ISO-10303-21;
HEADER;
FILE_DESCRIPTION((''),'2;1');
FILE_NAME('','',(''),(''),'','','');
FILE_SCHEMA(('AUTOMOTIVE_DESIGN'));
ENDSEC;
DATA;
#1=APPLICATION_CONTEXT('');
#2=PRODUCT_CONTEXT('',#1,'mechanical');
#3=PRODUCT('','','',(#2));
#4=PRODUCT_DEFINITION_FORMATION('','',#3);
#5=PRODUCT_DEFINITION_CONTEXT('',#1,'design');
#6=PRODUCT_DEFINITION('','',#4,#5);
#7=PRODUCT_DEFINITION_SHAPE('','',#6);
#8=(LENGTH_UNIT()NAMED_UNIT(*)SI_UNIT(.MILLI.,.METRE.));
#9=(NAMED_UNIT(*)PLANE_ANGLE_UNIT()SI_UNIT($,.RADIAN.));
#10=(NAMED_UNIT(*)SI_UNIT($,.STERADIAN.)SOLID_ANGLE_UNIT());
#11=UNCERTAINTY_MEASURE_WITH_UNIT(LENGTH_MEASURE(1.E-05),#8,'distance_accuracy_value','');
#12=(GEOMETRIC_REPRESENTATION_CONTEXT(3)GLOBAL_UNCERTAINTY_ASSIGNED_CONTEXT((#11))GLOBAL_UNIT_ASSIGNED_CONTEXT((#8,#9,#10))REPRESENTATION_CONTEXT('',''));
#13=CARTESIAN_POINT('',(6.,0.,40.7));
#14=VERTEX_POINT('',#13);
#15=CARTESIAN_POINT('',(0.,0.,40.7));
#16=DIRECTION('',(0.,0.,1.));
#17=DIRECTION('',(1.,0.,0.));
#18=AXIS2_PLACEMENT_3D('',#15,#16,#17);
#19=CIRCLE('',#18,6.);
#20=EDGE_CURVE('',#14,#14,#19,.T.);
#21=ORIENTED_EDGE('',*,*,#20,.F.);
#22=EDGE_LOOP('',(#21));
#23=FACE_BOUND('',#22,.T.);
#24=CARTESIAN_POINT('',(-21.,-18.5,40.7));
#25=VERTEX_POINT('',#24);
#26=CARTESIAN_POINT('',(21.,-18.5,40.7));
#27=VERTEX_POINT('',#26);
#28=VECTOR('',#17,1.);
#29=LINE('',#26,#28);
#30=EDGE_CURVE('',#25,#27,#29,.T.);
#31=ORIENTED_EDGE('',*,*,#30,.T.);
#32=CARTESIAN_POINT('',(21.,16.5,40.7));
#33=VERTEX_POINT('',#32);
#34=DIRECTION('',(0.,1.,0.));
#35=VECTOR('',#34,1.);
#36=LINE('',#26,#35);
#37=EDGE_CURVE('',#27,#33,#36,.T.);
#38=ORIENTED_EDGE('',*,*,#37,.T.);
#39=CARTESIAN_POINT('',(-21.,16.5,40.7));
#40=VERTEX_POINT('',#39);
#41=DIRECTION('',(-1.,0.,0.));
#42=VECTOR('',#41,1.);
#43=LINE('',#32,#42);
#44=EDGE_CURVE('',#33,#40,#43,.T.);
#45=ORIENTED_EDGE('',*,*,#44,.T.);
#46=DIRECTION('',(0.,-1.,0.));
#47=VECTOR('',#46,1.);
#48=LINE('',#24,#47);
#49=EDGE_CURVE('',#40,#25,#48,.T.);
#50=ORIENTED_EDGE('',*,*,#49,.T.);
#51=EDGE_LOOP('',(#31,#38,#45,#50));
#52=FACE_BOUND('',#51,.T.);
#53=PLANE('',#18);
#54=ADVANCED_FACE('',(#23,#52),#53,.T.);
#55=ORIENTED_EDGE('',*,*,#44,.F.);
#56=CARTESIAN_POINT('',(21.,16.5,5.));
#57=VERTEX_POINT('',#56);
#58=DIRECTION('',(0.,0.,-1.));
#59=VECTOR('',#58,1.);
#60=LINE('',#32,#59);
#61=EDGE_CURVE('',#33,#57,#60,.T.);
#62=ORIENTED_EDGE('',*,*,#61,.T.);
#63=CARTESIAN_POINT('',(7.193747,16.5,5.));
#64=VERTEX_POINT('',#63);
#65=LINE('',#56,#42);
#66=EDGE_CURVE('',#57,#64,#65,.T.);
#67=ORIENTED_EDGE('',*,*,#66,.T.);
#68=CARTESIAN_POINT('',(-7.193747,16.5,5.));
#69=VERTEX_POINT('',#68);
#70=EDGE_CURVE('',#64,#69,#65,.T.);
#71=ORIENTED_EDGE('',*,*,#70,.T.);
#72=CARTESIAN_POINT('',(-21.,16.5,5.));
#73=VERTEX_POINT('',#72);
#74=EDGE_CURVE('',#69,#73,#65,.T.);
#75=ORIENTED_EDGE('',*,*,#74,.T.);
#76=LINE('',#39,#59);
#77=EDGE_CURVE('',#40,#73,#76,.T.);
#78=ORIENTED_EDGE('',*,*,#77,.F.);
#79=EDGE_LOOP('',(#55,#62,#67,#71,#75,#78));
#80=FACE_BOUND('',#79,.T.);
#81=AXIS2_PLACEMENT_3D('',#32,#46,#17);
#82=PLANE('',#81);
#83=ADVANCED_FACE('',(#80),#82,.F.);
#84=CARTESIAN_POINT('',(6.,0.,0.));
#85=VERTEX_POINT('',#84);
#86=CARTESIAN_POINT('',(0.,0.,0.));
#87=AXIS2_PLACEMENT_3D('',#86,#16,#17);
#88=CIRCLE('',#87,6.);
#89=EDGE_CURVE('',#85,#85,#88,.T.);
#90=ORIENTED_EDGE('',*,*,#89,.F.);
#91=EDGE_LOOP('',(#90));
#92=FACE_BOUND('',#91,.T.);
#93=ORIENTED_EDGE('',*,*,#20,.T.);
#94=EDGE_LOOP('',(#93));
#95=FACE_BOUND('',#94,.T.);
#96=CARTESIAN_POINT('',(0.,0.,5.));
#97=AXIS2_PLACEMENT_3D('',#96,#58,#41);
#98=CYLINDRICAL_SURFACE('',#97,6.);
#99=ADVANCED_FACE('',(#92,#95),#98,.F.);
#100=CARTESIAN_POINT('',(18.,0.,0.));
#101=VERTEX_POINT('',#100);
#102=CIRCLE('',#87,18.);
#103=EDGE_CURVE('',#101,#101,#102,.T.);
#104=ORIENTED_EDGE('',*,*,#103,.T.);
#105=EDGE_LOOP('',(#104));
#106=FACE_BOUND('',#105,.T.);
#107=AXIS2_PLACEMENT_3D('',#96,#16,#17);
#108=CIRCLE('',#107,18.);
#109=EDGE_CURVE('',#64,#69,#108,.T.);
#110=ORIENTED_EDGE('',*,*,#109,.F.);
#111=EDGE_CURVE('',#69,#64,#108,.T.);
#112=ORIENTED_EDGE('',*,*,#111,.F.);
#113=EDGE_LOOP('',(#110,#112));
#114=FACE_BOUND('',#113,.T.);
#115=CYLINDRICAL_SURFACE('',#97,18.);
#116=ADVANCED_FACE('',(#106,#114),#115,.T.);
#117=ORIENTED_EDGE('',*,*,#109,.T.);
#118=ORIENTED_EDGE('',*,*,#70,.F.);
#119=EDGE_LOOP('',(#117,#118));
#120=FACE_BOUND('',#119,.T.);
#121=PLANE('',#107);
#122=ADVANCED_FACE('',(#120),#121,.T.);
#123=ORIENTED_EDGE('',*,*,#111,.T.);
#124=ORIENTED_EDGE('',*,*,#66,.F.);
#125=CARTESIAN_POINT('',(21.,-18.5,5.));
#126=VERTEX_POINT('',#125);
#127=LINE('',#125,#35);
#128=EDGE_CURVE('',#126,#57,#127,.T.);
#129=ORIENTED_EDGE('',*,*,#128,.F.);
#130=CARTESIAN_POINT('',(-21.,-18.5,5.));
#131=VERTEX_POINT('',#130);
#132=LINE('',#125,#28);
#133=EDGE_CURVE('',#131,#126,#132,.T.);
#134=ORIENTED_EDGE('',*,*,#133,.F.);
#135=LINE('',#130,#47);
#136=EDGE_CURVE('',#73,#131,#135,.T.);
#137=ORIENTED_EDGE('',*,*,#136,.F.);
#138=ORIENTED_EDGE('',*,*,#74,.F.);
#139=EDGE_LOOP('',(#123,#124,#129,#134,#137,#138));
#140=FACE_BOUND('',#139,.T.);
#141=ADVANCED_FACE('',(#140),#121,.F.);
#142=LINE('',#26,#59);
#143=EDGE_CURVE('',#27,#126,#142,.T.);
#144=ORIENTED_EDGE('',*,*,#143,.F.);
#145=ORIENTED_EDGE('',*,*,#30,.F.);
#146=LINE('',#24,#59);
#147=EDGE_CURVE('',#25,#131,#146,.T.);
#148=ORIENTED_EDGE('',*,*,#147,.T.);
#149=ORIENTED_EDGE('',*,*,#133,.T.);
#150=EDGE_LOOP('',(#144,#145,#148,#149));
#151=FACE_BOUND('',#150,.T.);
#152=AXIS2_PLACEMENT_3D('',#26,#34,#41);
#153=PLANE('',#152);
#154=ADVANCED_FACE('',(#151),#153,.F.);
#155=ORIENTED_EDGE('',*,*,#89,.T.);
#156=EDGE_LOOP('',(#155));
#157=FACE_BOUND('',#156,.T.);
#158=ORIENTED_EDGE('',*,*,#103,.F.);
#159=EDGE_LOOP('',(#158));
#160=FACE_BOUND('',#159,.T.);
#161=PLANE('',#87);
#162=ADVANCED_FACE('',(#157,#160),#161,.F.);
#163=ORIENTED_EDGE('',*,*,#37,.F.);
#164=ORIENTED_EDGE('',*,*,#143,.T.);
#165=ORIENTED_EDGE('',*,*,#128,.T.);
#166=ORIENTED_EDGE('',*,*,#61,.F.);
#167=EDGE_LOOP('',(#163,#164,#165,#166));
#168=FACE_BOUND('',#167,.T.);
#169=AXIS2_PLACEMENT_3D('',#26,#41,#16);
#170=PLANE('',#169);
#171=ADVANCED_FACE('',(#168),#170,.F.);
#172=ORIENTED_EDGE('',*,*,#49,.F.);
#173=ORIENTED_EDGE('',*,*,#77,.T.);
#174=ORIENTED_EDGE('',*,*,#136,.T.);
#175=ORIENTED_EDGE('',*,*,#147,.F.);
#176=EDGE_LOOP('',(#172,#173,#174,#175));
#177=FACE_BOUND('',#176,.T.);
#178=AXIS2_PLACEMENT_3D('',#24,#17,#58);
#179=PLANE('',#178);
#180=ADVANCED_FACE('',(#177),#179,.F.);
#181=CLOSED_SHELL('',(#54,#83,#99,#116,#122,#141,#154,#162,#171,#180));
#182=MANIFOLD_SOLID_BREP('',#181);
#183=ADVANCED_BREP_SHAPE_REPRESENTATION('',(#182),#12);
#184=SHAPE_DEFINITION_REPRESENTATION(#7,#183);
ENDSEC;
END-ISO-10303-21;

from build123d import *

# Parameters (mm, degrees)
SKETCH_1_R      = 18
SKETCH_1_R_2    = 6
EXTRUDE_1_DEPTH = 5
SKETCH_2_W      = 42
SKETCH_2_H      = 35
SKETCH_2_R      = 6
EXTRUDE_2_DEPTH = 35.7


with BuildPart() as part:
    # 草图1 → 凸台-拉伸1 (new body)
    with BuildSketch(Plane.XY):
        Circle(SKETCH_1_R)
        Circle(SKETCH_1_R_2, mode=Mode.SUBTRACT)
    extrude(amount=EXTRUDE_1_DEPTH)

    # 草图2 → 凸台-拉伸2 (add)
    with BuildSketch(Plane.XY.offset(5)):
        with Locations((0, -1)):
            Rectangle(SKETCH_2_W, SKETCH_2_H)
        Circle(SKETCH_2_R, mode=Mode.SUBTRACT)
    extrude(amount=EXTRUDE_2_DEPTH)


solid = part.part
